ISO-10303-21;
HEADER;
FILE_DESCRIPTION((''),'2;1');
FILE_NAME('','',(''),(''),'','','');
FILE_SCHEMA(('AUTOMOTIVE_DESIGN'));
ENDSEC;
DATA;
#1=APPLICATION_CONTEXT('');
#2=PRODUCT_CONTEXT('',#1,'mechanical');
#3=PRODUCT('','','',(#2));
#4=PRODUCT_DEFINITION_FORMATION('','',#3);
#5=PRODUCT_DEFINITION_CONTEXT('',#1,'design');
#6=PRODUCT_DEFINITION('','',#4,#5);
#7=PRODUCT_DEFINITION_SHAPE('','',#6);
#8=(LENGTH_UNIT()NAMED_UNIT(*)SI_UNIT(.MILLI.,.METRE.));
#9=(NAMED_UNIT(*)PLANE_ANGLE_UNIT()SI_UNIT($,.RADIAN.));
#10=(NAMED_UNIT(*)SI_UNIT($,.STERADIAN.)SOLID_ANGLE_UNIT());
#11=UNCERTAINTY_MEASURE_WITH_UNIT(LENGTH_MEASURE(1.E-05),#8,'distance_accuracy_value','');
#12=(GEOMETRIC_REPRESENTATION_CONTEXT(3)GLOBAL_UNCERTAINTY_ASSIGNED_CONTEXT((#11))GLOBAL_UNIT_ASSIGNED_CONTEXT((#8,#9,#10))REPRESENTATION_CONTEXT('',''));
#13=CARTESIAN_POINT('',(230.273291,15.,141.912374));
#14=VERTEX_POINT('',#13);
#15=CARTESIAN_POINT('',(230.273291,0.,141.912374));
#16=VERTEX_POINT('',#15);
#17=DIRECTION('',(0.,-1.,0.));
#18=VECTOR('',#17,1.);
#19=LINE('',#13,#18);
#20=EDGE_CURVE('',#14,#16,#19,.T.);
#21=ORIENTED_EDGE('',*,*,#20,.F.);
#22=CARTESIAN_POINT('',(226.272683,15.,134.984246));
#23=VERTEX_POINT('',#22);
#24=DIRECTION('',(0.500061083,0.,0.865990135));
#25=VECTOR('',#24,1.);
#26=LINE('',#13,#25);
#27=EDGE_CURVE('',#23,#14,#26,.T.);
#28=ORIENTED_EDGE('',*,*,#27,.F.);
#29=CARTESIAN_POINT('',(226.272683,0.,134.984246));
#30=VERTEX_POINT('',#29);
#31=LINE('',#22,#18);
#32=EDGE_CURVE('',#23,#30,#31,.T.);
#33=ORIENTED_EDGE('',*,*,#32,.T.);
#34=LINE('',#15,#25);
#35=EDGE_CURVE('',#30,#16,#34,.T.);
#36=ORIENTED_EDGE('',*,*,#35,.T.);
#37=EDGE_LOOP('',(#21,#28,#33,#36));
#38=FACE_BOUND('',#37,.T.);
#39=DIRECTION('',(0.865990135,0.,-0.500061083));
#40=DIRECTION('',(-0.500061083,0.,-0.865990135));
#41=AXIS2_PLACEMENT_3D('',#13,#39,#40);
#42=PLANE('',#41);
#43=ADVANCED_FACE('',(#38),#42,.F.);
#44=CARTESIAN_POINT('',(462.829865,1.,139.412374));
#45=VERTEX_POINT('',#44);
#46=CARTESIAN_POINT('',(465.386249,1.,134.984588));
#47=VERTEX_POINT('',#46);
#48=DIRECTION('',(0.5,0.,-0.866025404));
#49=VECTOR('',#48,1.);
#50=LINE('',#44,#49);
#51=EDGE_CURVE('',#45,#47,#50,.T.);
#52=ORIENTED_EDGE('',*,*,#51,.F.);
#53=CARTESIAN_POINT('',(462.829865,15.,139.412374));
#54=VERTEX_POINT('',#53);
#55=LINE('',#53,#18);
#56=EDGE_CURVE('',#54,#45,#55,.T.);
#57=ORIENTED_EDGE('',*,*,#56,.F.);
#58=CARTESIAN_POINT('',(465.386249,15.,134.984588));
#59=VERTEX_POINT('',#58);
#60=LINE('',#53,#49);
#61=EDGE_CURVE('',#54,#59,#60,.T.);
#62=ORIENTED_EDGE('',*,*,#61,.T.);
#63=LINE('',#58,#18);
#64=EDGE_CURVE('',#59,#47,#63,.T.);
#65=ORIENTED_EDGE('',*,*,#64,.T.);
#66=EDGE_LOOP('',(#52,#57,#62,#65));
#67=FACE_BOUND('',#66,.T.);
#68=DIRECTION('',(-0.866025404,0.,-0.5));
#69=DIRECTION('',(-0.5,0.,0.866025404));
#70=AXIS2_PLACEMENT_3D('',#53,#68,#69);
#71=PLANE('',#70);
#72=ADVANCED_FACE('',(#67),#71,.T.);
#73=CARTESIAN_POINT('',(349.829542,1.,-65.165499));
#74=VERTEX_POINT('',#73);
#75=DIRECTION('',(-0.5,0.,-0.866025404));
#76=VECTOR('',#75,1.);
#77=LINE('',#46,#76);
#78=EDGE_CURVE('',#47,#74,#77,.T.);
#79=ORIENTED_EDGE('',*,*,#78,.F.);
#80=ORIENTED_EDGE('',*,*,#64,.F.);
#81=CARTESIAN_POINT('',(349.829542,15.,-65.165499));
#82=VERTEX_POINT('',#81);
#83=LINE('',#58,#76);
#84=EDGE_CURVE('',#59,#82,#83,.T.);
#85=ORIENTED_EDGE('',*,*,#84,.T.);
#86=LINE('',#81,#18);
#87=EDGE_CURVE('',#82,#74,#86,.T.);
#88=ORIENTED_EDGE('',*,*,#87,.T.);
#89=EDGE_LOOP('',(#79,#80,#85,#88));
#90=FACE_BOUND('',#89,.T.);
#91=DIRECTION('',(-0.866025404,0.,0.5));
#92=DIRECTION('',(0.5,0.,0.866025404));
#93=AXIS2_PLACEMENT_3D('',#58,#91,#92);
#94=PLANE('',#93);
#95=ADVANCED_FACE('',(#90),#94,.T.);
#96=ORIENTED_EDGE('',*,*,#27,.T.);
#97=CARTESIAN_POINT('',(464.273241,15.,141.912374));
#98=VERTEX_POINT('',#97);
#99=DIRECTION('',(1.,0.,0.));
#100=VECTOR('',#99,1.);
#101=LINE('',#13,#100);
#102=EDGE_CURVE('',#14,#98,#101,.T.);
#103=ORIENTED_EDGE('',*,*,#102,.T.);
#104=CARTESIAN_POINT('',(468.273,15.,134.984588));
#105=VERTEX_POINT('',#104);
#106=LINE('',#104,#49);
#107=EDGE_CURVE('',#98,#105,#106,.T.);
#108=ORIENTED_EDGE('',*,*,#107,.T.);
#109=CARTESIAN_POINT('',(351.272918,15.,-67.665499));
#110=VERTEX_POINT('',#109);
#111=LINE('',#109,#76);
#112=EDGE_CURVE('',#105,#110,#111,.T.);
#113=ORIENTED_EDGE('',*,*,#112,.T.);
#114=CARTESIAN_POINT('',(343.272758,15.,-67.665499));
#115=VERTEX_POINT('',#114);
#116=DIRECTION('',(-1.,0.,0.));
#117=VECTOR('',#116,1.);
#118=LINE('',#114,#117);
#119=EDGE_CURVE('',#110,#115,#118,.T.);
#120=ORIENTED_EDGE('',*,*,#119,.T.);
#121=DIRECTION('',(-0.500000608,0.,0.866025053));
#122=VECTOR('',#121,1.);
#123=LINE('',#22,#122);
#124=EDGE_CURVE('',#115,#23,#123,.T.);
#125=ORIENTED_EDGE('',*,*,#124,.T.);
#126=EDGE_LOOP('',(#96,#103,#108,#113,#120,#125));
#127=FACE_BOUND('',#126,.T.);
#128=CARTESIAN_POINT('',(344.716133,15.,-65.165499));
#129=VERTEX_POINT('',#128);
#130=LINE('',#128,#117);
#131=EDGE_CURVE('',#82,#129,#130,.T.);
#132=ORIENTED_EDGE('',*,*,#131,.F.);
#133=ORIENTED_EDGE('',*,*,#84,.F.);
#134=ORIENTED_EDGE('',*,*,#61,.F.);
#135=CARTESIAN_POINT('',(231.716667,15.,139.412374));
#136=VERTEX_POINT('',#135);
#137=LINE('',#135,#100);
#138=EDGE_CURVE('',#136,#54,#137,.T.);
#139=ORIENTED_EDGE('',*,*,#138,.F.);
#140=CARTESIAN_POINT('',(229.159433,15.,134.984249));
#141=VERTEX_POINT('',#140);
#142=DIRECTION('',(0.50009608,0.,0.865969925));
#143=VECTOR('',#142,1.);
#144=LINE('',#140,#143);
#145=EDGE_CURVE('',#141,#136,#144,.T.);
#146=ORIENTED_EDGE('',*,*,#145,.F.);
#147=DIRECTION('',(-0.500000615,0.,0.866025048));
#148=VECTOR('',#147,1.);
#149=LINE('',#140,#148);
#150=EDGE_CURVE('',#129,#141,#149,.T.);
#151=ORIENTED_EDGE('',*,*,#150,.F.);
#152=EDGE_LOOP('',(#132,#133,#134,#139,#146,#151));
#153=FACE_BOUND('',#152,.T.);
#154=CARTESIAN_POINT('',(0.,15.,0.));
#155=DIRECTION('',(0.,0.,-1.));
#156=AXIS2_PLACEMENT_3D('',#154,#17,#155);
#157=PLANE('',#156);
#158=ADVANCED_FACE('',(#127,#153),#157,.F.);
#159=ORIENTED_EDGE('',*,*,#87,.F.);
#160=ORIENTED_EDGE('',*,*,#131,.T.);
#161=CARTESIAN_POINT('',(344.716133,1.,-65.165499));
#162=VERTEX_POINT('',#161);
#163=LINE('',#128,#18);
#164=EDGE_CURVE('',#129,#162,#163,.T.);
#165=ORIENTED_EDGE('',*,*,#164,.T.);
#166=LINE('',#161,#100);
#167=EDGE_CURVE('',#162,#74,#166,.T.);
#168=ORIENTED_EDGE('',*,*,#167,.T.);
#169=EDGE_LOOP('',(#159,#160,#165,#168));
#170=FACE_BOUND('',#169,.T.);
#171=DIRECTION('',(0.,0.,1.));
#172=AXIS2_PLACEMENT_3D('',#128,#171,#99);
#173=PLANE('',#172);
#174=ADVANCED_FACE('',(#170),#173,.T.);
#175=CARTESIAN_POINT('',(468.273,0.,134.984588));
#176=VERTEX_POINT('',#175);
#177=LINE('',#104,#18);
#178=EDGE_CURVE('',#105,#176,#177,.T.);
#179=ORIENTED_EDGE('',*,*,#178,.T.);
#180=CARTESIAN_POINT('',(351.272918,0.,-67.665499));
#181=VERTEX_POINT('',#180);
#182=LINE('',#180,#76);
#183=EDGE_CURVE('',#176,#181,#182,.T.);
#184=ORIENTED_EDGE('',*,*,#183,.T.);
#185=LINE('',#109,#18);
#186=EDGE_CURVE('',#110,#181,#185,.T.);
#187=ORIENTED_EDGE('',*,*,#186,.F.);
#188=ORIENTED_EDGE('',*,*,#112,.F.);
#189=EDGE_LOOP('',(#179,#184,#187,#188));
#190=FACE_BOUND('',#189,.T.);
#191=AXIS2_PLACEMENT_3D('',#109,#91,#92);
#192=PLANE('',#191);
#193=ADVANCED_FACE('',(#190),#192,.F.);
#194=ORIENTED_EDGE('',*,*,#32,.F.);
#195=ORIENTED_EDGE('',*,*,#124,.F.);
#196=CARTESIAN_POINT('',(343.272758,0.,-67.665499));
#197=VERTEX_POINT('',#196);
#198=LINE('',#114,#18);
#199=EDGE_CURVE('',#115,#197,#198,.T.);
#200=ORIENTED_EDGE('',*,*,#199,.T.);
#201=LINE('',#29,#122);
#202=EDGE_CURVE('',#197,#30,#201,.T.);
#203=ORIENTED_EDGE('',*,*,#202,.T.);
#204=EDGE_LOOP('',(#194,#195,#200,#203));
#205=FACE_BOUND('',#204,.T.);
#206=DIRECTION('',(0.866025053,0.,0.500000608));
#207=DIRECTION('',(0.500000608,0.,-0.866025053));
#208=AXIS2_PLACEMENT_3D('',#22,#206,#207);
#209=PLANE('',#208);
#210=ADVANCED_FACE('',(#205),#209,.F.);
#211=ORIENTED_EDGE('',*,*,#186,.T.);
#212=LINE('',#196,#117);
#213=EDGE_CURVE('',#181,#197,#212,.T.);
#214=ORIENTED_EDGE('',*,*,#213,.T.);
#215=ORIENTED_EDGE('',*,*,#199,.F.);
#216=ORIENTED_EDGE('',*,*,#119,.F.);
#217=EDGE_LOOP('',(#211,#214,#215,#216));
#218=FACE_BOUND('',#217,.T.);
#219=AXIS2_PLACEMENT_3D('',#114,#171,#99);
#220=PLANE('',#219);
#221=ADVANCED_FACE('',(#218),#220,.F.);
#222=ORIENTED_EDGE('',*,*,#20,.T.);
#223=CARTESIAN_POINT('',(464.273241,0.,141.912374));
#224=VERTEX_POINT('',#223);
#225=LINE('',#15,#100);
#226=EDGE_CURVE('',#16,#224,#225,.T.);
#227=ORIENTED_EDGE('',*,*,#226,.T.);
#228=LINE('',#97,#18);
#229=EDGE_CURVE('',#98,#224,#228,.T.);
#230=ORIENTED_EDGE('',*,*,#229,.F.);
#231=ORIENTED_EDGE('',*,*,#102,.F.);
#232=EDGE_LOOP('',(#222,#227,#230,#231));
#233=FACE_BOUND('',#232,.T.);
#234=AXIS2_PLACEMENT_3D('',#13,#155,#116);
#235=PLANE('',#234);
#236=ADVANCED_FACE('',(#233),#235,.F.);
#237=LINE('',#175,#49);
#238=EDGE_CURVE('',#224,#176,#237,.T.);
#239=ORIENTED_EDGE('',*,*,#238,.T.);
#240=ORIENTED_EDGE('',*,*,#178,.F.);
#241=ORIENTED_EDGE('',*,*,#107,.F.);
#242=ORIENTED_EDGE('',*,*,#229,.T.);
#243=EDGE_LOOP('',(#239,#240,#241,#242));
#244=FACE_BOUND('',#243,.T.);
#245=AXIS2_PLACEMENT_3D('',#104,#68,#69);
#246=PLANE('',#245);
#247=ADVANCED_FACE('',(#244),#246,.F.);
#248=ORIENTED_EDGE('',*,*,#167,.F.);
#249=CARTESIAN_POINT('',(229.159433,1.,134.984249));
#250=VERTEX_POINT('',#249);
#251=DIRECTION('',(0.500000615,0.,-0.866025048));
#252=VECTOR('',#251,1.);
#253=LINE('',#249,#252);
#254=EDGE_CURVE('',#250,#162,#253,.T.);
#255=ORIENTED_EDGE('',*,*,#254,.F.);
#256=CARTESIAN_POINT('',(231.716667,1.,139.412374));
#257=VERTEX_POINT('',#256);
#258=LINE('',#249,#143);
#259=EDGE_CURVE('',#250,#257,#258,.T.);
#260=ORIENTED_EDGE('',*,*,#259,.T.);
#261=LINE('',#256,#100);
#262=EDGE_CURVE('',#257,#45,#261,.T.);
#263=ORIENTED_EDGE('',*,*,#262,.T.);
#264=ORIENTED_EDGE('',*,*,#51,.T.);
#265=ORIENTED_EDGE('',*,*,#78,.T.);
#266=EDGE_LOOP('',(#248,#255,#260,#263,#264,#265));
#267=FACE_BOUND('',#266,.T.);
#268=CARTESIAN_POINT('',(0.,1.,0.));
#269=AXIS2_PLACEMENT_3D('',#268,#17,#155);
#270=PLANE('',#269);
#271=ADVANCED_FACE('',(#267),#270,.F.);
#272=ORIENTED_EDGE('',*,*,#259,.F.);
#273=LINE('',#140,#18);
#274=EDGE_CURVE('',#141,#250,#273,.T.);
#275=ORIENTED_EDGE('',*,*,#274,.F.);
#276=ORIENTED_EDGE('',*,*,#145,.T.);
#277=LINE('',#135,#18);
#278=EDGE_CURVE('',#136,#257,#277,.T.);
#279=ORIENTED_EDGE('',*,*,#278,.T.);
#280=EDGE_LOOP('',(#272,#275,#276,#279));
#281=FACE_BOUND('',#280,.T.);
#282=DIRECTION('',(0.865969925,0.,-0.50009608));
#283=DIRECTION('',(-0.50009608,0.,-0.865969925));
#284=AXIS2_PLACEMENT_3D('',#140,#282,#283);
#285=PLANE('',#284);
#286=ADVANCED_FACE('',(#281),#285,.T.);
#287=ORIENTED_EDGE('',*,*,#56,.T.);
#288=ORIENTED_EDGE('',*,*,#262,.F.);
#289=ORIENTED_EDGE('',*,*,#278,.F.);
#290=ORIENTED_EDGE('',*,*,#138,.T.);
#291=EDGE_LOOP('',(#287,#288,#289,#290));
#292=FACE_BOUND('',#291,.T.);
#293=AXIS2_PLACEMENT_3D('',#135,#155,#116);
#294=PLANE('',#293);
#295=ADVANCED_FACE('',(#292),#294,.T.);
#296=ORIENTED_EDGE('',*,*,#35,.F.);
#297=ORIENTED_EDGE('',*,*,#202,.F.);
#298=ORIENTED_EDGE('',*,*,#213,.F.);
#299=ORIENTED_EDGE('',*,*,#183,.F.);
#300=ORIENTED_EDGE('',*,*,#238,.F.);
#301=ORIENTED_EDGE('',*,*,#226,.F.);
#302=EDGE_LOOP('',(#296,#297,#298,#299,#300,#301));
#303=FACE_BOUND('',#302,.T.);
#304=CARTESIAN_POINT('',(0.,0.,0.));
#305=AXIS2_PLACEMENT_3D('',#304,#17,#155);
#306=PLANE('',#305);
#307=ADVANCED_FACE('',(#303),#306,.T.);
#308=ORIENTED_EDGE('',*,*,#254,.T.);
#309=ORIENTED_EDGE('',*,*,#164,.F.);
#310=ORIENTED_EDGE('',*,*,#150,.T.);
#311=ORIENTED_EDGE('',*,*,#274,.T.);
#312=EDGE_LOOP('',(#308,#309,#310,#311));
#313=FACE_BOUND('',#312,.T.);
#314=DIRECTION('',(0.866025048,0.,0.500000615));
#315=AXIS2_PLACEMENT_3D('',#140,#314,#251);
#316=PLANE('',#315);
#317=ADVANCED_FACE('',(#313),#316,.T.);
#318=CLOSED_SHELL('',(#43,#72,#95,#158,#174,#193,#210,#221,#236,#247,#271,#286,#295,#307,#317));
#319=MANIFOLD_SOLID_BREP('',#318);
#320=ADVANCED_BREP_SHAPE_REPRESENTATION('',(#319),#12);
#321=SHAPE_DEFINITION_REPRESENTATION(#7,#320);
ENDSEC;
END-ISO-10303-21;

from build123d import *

# Parameters (mm, degrees)
BOSS_EXTRUDE6_DEPTH = 1
BOSS_EXTRUDE8_DEPTH = 15


with BuildPart() as part:
    # Sketch1 → Boss-Extrude6 (new body)
    with BuildSketch(Plane(origin=(0, 0, 0), x_dir=(1, 0, 0), z_dir=(0, 1, 0))):
        Polygon((231.716666588, -139.412373829), (462.829865412, -139.412373829), (465.38624875, -134.984588004), (349.829542096, 65.165499075), (344.716133219, 65.165499075), (229.159432538, -134.984249178), align=None)
    extrude(amount=BOSS_EXTRUDE6_DEPTH)

    # Sketch1<7> → Boss-Extrude8 (add)
    with BuildSketch(Plane(origin=(0, 0, 0), x_dir=(1, 0, 0), z_dir=(0, 1, 0))):
        Polygon((351.272917769, 67.665499075), (468.273000096, -134.984588004), (464.273241085, -141.912373829), (230.273290915, -141.912373829), (226.272682946, -134.984246139), (343.272757546, 67.665499075), align=None)
        Polygon((231.716666588, -139.412373829), (462.829865412, -139.412373829), (465.38624875, -134.984588004), (349.829542096, 65.165499075), (344.716133219, 65.165499075), (229.159432538, -134.984249178), align=None, mode=Mode.SUBTRACT)
    extrude(amount=BOSS_EXTRUDE8_DEPTH)


solid = part.part
